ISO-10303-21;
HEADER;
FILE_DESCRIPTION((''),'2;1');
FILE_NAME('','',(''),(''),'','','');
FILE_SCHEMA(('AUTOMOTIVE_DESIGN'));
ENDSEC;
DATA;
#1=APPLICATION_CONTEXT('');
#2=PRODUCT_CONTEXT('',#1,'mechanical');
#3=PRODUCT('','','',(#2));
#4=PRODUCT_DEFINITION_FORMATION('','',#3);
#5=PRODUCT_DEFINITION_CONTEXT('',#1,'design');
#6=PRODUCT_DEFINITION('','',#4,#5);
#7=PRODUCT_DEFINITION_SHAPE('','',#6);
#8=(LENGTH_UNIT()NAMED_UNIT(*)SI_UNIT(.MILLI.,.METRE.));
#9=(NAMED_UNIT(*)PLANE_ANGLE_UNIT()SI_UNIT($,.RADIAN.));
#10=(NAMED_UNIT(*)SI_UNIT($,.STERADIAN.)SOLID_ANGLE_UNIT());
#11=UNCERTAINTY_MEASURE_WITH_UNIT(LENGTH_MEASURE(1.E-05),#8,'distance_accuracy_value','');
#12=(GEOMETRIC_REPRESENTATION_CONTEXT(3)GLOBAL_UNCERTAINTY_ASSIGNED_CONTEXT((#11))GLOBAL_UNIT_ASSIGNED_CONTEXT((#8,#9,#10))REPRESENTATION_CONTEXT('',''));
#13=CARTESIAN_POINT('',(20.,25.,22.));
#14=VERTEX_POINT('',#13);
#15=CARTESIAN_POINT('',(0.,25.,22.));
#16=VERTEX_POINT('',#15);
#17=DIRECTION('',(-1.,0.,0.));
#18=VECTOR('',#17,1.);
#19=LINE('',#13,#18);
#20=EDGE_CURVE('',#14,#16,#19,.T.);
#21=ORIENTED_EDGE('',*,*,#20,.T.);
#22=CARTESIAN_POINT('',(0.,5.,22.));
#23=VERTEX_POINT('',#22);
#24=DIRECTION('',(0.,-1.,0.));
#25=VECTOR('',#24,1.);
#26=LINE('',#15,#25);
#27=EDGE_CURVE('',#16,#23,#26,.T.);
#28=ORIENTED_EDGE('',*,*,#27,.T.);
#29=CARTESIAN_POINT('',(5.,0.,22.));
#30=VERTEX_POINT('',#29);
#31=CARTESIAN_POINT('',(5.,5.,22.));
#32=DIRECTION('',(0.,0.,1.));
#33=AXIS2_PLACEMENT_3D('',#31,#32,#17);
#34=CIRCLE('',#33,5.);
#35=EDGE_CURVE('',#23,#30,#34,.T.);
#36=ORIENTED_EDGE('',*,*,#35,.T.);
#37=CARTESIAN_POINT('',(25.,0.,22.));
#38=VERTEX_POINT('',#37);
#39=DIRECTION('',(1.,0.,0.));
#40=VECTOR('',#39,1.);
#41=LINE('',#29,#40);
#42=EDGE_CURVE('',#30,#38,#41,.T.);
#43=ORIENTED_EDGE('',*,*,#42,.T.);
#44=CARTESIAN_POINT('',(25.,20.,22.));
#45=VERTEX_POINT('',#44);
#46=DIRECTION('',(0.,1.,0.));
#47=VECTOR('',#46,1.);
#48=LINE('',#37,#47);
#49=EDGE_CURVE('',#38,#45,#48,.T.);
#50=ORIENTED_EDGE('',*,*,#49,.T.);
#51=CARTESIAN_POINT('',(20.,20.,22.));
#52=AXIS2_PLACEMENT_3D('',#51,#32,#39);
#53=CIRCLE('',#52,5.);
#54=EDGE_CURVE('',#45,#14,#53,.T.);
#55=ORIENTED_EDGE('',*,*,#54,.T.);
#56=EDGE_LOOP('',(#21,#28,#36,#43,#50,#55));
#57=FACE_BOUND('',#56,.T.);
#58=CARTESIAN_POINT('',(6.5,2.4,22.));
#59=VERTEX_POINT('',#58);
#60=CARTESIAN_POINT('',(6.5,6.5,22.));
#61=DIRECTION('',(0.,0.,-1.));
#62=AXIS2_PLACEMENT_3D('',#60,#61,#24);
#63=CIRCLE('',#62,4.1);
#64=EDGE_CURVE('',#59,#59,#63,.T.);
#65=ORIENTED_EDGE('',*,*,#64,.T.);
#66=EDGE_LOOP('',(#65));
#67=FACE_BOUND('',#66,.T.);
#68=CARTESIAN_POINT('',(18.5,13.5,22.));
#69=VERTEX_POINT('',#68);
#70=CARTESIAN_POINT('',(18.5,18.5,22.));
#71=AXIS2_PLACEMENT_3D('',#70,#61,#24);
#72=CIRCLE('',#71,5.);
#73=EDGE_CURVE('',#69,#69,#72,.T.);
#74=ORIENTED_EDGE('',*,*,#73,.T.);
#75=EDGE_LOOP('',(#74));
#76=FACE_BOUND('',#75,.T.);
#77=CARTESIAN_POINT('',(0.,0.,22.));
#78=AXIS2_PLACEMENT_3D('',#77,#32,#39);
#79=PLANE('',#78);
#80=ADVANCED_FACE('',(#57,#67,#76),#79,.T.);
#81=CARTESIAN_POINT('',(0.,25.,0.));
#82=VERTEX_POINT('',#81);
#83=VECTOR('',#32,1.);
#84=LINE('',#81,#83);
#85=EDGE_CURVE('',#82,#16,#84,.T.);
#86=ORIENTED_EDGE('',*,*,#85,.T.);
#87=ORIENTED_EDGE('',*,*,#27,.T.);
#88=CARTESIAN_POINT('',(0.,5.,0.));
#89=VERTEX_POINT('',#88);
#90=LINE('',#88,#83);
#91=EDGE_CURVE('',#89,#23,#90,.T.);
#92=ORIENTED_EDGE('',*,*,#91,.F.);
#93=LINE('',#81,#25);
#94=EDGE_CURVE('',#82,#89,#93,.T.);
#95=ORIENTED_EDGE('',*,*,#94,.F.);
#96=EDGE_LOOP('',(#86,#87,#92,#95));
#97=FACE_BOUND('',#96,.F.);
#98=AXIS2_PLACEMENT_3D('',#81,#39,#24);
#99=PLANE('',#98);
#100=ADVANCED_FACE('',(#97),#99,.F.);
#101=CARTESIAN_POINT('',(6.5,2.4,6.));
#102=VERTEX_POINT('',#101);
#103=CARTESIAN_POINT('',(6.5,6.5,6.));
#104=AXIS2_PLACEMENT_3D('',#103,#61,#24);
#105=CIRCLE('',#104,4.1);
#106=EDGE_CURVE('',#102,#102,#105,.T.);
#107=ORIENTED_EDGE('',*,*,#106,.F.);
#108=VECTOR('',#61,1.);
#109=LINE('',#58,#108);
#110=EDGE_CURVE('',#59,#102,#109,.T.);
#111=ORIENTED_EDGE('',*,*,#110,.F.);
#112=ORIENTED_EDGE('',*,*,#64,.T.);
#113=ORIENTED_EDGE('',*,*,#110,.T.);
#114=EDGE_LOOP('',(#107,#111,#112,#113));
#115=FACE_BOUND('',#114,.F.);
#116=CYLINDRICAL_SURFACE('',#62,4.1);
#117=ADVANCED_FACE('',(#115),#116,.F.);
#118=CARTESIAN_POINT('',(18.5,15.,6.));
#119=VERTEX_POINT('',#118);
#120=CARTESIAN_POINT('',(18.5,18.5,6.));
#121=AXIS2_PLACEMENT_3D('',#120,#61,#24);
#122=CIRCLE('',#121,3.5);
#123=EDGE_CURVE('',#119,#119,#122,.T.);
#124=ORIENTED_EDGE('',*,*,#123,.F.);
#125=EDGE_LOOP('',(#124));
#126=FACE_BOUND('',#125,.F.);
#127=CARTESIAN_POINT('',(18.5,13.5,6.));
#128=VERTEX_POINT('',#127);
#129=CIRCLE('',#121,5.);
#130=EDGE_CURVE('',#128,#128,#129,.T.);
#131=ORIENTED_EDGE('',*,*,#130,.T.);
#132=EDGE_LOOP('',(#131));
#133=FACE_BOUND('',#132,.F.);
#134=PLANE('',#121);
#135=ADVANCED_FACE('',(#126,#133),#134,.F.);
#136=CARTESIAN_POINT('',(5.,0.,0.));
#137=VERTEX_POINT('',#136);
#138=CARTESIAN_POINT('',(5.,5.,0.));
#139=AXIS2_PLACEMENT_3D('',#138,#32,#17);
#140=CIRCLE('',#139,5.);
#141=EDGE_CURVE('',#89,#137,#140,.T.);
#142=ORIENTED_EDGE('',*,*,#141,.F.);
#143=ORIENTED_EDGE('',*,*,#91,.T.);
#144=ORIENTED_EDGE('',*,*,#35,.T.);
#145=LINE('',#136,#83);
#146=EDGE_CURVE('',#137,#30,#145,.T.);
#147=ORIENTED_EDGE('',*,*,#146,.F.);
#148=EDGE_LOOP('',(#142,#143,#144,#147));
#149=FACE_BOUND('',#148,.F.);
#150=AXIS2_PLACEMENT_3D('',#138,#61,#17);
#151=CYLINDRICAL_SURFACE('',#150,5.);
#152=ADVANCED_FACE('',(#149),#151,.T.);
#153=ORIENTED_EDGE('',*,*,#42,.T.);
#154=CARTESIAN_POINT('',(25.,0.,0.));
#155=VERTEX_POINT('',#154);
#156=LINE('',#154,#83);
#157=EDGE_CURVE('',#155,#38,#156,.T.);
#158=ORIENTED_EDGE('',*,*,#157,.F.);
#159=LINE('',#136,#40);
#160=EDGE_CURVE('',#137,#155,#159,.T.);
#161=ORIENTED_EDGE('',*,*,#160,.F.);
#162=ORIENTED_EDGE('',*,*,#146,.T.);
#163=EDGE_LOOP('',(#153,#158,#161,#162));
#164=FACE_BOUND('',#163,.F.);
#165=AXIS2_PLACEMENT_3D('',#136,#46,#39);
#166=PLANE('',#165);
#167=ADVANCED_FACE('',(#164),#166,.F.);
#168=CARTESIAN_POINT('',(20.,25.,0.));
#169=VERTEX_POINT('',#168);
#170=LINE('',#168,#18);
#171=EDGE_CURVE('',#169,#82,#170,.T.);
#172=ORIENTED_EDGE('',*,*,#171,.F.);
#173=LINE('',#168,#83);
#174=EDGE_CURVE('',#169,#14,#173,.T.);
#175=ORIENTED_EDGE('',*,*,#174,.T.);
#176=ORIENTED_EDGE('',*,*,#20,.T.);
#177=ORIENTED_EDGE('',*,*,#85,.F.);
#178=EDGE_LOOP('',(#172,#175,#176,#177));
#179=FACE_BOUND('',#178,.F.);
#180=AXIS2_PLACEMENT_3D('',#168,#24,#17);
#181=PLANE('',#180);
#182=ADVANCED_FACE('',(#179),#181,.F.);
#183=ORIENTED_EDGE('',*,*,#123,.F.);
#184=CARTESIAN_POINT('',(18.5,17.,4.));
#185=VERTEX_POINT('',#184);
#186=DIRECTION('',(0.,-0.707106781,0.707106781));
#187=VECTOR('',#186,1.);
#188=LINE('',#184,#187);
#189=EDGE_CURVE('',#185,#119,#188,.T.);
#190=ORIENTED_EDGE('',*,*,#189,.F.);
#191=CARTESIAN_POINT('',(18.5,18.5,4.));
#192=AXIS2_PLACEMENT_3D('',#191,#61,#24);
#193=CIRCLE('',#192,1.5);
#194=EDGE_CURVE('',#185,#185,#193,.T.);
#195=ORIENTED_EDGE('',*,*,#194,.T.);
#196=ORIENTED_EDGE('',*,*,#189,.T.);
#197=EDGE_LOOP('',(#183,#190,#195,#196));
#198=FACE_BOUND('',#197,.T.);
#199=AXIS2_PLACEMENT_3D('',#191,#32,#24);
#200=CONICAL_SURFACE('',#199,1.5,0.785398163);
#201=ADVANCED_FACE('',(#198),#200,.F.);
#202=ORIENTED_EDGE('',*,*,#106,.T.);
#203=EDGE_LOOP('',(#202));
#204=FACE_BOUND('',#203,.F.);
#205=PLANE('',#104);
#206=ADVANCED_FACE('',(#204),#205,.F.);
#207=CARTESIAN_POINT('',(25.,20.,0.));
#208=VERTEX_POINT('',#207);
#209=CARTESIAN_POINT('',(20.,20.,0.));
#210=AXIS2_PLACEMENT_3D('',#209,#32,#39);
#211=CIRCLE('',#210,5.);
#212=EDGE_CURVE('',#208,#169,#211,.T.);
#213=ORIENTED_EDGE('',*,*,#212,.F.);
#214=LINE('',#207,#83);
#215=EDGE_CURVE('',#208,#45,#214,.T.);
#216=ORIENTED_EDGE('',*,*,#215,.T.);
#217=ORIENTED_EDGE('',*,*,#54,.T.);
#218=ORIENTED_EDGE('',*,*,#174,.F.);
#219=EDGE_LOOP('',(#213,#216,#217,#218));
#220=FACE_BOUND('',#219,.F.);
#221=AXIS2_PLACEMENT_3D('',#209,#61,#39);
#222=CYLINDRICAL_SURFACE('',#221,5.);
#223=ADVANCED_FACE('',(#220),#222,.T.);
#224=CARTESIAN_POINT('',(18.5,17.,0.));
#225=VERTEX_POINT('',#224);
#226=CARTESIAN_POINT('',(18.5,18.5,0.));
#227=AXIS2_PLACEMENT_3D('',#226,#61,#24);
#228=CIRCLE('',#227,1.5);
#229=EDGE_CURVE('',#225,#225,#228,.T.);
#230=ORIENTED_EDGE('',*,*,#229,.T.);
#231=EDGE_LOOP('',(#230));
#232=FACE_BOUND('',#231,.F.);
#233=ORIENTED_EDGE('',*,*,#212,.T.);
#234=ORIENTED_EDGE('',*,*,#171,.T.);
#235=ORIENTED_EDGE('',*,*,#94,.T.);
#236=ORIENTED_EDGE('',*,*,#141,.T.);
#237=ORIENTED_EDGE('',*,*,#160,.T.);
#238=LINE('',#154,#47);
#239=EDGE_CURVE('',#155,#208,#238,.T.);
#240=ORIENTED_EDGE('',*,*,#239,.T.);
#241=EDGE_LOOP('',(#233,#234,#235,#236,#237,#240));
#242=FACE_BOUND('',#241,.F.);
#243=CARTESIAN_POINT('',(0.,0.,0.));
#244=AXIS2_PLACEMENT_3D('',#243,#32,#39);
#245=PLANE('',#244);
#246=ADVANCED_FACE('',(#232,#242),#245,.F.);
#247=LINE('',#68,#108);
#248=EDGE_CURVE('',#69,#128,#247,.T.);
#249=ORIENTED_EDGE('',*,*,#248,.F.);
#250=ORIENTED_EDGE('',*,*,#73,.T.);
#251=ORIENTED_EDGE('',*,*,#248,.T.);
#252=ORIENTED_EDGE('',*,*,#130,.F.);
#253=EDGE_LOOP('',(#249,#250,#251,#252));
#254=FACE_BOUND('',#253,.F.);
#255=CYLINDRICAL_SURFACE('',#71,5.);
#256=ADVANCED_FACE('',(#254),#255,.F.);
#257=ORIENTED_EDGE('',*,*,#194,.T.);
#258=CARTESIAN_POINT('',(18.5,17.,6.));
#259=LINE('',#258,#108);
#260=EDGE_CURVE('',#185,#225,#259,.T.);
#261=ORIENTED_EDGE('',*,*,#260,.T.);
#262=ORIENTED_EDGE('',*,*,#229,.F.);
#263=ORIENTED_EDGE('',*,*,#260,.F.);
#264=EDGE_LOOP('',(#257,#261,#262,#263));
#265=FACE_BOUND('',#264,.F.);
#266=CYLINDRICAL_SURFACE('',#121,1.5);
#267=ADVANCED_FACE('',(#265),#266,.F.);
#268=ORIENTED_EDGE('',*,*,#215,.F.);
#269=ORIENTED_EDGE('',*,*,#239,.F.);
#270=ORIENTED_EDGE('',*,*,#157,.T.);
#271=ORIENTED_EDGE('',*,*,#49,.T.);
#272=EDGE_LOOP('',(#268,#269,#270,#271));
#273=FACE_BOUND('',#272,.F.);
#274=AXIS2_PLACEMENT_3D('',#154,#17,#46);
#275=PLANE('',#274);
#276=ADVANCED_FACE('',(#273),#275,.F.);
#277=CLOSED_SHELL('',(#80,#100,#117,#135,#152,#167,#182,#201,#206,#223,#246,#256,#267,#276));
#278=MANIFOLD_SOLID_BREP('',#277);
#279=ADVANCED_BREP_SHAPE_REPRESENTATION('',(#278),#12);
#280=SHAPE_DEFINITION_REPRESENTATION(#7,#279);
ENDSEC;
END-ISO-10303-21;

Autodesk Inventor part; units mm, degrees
ref_plane "YZ Plane" through (0, 0, 0) normal (1, 0, 0) x (0, 1, 0)
ref_plane "XZ Plane" through (0, 0, 0) normal (0, 1, 0) x (-1, 0, 0)
ref_plane "XY Plane" through (0, 0, 0) normal (0, 0, 1) x (1, 0, 0)
sketch "Sketch1" plane through (0, 0, 0) normal (0, 0, 1) x (1, 0, 0)
  line L0 (5, 0) -> (25, 0)
  line L1 (25, 0) -> (25, 20)
  line L2 (20, 25) -> (0, 25)
  line L3 (0, 25) -> (0, 5)
  arc A0 (25, 20) -> (20, 25) centre (20, 20) ccw
  arc A1 (0, 5) -> (5, 0) centre (5, 5) ccw
  point P0 (0, 0)
  point P1 (25, 25)
  dimension "d0" = 25
  dimension "d1" = 25
  dimension "d2" = 5
  dimension "d29" = 5
extrude "Extrusion1" add sketch "Sketch1" along normal blind 22
sketch "Sketch2" plane through (0, 0, 22) normal (0, 0, 1) x (1, 0, 0)
  line L0 (20, 25) -> (0, 25) projected
  line L1 (25, 0) -> (25, 20) projected
  point P0 (0, 0)
  point P1 (18.5, 18.5)
  dimension "d12" = 6.5
  dimension "d13" = 6.5
hole "Hole1" at (18.5, 18.5, 22) direction (0, 0, -1) diameter 10 depth 16
sketch "Sketch3" plane through (18.5, 18.5, 6) normal (0, 0, 1) x (1, 0, 0)
  line L0 (6.5, -18.5) -> (6.5, 1.5) projected
  line L1 (1.5, 6.5) -> (-18.5, 6.5) projected
  point P0 (-18.5, -18.5)
  point P1 (0, 0)
  dimension "d21" = 6.5
  dimension "d22" = 6.5
hole "Hole2" at (18.5, 18.5, 6) direction (0, 0, -1) diameter 3 depth 15
chamfer "Chamfer2" distance 2 angle 45 1 edges at (18.5, 20, 6)
sketch "Sketch4" plane through (0, 0, 22) normal (0, 0, 1) x (1, 0, 0)
  line L0 (5, 0) -> (25, 0) projected
  line L1 (0, 25) -> (0, 5) projected
  point P0 (0, 0)
  point P1 (6.5, 6.5)
  dimension "d37" = 6.5
  dimension "d38" = 6.5
hole "Hole3" at (6.5, 6.5, 22) direction (0, 0, -1) diameter 8.2 depth 16
properties part number "spacer dubbele hoogte behuizing"
